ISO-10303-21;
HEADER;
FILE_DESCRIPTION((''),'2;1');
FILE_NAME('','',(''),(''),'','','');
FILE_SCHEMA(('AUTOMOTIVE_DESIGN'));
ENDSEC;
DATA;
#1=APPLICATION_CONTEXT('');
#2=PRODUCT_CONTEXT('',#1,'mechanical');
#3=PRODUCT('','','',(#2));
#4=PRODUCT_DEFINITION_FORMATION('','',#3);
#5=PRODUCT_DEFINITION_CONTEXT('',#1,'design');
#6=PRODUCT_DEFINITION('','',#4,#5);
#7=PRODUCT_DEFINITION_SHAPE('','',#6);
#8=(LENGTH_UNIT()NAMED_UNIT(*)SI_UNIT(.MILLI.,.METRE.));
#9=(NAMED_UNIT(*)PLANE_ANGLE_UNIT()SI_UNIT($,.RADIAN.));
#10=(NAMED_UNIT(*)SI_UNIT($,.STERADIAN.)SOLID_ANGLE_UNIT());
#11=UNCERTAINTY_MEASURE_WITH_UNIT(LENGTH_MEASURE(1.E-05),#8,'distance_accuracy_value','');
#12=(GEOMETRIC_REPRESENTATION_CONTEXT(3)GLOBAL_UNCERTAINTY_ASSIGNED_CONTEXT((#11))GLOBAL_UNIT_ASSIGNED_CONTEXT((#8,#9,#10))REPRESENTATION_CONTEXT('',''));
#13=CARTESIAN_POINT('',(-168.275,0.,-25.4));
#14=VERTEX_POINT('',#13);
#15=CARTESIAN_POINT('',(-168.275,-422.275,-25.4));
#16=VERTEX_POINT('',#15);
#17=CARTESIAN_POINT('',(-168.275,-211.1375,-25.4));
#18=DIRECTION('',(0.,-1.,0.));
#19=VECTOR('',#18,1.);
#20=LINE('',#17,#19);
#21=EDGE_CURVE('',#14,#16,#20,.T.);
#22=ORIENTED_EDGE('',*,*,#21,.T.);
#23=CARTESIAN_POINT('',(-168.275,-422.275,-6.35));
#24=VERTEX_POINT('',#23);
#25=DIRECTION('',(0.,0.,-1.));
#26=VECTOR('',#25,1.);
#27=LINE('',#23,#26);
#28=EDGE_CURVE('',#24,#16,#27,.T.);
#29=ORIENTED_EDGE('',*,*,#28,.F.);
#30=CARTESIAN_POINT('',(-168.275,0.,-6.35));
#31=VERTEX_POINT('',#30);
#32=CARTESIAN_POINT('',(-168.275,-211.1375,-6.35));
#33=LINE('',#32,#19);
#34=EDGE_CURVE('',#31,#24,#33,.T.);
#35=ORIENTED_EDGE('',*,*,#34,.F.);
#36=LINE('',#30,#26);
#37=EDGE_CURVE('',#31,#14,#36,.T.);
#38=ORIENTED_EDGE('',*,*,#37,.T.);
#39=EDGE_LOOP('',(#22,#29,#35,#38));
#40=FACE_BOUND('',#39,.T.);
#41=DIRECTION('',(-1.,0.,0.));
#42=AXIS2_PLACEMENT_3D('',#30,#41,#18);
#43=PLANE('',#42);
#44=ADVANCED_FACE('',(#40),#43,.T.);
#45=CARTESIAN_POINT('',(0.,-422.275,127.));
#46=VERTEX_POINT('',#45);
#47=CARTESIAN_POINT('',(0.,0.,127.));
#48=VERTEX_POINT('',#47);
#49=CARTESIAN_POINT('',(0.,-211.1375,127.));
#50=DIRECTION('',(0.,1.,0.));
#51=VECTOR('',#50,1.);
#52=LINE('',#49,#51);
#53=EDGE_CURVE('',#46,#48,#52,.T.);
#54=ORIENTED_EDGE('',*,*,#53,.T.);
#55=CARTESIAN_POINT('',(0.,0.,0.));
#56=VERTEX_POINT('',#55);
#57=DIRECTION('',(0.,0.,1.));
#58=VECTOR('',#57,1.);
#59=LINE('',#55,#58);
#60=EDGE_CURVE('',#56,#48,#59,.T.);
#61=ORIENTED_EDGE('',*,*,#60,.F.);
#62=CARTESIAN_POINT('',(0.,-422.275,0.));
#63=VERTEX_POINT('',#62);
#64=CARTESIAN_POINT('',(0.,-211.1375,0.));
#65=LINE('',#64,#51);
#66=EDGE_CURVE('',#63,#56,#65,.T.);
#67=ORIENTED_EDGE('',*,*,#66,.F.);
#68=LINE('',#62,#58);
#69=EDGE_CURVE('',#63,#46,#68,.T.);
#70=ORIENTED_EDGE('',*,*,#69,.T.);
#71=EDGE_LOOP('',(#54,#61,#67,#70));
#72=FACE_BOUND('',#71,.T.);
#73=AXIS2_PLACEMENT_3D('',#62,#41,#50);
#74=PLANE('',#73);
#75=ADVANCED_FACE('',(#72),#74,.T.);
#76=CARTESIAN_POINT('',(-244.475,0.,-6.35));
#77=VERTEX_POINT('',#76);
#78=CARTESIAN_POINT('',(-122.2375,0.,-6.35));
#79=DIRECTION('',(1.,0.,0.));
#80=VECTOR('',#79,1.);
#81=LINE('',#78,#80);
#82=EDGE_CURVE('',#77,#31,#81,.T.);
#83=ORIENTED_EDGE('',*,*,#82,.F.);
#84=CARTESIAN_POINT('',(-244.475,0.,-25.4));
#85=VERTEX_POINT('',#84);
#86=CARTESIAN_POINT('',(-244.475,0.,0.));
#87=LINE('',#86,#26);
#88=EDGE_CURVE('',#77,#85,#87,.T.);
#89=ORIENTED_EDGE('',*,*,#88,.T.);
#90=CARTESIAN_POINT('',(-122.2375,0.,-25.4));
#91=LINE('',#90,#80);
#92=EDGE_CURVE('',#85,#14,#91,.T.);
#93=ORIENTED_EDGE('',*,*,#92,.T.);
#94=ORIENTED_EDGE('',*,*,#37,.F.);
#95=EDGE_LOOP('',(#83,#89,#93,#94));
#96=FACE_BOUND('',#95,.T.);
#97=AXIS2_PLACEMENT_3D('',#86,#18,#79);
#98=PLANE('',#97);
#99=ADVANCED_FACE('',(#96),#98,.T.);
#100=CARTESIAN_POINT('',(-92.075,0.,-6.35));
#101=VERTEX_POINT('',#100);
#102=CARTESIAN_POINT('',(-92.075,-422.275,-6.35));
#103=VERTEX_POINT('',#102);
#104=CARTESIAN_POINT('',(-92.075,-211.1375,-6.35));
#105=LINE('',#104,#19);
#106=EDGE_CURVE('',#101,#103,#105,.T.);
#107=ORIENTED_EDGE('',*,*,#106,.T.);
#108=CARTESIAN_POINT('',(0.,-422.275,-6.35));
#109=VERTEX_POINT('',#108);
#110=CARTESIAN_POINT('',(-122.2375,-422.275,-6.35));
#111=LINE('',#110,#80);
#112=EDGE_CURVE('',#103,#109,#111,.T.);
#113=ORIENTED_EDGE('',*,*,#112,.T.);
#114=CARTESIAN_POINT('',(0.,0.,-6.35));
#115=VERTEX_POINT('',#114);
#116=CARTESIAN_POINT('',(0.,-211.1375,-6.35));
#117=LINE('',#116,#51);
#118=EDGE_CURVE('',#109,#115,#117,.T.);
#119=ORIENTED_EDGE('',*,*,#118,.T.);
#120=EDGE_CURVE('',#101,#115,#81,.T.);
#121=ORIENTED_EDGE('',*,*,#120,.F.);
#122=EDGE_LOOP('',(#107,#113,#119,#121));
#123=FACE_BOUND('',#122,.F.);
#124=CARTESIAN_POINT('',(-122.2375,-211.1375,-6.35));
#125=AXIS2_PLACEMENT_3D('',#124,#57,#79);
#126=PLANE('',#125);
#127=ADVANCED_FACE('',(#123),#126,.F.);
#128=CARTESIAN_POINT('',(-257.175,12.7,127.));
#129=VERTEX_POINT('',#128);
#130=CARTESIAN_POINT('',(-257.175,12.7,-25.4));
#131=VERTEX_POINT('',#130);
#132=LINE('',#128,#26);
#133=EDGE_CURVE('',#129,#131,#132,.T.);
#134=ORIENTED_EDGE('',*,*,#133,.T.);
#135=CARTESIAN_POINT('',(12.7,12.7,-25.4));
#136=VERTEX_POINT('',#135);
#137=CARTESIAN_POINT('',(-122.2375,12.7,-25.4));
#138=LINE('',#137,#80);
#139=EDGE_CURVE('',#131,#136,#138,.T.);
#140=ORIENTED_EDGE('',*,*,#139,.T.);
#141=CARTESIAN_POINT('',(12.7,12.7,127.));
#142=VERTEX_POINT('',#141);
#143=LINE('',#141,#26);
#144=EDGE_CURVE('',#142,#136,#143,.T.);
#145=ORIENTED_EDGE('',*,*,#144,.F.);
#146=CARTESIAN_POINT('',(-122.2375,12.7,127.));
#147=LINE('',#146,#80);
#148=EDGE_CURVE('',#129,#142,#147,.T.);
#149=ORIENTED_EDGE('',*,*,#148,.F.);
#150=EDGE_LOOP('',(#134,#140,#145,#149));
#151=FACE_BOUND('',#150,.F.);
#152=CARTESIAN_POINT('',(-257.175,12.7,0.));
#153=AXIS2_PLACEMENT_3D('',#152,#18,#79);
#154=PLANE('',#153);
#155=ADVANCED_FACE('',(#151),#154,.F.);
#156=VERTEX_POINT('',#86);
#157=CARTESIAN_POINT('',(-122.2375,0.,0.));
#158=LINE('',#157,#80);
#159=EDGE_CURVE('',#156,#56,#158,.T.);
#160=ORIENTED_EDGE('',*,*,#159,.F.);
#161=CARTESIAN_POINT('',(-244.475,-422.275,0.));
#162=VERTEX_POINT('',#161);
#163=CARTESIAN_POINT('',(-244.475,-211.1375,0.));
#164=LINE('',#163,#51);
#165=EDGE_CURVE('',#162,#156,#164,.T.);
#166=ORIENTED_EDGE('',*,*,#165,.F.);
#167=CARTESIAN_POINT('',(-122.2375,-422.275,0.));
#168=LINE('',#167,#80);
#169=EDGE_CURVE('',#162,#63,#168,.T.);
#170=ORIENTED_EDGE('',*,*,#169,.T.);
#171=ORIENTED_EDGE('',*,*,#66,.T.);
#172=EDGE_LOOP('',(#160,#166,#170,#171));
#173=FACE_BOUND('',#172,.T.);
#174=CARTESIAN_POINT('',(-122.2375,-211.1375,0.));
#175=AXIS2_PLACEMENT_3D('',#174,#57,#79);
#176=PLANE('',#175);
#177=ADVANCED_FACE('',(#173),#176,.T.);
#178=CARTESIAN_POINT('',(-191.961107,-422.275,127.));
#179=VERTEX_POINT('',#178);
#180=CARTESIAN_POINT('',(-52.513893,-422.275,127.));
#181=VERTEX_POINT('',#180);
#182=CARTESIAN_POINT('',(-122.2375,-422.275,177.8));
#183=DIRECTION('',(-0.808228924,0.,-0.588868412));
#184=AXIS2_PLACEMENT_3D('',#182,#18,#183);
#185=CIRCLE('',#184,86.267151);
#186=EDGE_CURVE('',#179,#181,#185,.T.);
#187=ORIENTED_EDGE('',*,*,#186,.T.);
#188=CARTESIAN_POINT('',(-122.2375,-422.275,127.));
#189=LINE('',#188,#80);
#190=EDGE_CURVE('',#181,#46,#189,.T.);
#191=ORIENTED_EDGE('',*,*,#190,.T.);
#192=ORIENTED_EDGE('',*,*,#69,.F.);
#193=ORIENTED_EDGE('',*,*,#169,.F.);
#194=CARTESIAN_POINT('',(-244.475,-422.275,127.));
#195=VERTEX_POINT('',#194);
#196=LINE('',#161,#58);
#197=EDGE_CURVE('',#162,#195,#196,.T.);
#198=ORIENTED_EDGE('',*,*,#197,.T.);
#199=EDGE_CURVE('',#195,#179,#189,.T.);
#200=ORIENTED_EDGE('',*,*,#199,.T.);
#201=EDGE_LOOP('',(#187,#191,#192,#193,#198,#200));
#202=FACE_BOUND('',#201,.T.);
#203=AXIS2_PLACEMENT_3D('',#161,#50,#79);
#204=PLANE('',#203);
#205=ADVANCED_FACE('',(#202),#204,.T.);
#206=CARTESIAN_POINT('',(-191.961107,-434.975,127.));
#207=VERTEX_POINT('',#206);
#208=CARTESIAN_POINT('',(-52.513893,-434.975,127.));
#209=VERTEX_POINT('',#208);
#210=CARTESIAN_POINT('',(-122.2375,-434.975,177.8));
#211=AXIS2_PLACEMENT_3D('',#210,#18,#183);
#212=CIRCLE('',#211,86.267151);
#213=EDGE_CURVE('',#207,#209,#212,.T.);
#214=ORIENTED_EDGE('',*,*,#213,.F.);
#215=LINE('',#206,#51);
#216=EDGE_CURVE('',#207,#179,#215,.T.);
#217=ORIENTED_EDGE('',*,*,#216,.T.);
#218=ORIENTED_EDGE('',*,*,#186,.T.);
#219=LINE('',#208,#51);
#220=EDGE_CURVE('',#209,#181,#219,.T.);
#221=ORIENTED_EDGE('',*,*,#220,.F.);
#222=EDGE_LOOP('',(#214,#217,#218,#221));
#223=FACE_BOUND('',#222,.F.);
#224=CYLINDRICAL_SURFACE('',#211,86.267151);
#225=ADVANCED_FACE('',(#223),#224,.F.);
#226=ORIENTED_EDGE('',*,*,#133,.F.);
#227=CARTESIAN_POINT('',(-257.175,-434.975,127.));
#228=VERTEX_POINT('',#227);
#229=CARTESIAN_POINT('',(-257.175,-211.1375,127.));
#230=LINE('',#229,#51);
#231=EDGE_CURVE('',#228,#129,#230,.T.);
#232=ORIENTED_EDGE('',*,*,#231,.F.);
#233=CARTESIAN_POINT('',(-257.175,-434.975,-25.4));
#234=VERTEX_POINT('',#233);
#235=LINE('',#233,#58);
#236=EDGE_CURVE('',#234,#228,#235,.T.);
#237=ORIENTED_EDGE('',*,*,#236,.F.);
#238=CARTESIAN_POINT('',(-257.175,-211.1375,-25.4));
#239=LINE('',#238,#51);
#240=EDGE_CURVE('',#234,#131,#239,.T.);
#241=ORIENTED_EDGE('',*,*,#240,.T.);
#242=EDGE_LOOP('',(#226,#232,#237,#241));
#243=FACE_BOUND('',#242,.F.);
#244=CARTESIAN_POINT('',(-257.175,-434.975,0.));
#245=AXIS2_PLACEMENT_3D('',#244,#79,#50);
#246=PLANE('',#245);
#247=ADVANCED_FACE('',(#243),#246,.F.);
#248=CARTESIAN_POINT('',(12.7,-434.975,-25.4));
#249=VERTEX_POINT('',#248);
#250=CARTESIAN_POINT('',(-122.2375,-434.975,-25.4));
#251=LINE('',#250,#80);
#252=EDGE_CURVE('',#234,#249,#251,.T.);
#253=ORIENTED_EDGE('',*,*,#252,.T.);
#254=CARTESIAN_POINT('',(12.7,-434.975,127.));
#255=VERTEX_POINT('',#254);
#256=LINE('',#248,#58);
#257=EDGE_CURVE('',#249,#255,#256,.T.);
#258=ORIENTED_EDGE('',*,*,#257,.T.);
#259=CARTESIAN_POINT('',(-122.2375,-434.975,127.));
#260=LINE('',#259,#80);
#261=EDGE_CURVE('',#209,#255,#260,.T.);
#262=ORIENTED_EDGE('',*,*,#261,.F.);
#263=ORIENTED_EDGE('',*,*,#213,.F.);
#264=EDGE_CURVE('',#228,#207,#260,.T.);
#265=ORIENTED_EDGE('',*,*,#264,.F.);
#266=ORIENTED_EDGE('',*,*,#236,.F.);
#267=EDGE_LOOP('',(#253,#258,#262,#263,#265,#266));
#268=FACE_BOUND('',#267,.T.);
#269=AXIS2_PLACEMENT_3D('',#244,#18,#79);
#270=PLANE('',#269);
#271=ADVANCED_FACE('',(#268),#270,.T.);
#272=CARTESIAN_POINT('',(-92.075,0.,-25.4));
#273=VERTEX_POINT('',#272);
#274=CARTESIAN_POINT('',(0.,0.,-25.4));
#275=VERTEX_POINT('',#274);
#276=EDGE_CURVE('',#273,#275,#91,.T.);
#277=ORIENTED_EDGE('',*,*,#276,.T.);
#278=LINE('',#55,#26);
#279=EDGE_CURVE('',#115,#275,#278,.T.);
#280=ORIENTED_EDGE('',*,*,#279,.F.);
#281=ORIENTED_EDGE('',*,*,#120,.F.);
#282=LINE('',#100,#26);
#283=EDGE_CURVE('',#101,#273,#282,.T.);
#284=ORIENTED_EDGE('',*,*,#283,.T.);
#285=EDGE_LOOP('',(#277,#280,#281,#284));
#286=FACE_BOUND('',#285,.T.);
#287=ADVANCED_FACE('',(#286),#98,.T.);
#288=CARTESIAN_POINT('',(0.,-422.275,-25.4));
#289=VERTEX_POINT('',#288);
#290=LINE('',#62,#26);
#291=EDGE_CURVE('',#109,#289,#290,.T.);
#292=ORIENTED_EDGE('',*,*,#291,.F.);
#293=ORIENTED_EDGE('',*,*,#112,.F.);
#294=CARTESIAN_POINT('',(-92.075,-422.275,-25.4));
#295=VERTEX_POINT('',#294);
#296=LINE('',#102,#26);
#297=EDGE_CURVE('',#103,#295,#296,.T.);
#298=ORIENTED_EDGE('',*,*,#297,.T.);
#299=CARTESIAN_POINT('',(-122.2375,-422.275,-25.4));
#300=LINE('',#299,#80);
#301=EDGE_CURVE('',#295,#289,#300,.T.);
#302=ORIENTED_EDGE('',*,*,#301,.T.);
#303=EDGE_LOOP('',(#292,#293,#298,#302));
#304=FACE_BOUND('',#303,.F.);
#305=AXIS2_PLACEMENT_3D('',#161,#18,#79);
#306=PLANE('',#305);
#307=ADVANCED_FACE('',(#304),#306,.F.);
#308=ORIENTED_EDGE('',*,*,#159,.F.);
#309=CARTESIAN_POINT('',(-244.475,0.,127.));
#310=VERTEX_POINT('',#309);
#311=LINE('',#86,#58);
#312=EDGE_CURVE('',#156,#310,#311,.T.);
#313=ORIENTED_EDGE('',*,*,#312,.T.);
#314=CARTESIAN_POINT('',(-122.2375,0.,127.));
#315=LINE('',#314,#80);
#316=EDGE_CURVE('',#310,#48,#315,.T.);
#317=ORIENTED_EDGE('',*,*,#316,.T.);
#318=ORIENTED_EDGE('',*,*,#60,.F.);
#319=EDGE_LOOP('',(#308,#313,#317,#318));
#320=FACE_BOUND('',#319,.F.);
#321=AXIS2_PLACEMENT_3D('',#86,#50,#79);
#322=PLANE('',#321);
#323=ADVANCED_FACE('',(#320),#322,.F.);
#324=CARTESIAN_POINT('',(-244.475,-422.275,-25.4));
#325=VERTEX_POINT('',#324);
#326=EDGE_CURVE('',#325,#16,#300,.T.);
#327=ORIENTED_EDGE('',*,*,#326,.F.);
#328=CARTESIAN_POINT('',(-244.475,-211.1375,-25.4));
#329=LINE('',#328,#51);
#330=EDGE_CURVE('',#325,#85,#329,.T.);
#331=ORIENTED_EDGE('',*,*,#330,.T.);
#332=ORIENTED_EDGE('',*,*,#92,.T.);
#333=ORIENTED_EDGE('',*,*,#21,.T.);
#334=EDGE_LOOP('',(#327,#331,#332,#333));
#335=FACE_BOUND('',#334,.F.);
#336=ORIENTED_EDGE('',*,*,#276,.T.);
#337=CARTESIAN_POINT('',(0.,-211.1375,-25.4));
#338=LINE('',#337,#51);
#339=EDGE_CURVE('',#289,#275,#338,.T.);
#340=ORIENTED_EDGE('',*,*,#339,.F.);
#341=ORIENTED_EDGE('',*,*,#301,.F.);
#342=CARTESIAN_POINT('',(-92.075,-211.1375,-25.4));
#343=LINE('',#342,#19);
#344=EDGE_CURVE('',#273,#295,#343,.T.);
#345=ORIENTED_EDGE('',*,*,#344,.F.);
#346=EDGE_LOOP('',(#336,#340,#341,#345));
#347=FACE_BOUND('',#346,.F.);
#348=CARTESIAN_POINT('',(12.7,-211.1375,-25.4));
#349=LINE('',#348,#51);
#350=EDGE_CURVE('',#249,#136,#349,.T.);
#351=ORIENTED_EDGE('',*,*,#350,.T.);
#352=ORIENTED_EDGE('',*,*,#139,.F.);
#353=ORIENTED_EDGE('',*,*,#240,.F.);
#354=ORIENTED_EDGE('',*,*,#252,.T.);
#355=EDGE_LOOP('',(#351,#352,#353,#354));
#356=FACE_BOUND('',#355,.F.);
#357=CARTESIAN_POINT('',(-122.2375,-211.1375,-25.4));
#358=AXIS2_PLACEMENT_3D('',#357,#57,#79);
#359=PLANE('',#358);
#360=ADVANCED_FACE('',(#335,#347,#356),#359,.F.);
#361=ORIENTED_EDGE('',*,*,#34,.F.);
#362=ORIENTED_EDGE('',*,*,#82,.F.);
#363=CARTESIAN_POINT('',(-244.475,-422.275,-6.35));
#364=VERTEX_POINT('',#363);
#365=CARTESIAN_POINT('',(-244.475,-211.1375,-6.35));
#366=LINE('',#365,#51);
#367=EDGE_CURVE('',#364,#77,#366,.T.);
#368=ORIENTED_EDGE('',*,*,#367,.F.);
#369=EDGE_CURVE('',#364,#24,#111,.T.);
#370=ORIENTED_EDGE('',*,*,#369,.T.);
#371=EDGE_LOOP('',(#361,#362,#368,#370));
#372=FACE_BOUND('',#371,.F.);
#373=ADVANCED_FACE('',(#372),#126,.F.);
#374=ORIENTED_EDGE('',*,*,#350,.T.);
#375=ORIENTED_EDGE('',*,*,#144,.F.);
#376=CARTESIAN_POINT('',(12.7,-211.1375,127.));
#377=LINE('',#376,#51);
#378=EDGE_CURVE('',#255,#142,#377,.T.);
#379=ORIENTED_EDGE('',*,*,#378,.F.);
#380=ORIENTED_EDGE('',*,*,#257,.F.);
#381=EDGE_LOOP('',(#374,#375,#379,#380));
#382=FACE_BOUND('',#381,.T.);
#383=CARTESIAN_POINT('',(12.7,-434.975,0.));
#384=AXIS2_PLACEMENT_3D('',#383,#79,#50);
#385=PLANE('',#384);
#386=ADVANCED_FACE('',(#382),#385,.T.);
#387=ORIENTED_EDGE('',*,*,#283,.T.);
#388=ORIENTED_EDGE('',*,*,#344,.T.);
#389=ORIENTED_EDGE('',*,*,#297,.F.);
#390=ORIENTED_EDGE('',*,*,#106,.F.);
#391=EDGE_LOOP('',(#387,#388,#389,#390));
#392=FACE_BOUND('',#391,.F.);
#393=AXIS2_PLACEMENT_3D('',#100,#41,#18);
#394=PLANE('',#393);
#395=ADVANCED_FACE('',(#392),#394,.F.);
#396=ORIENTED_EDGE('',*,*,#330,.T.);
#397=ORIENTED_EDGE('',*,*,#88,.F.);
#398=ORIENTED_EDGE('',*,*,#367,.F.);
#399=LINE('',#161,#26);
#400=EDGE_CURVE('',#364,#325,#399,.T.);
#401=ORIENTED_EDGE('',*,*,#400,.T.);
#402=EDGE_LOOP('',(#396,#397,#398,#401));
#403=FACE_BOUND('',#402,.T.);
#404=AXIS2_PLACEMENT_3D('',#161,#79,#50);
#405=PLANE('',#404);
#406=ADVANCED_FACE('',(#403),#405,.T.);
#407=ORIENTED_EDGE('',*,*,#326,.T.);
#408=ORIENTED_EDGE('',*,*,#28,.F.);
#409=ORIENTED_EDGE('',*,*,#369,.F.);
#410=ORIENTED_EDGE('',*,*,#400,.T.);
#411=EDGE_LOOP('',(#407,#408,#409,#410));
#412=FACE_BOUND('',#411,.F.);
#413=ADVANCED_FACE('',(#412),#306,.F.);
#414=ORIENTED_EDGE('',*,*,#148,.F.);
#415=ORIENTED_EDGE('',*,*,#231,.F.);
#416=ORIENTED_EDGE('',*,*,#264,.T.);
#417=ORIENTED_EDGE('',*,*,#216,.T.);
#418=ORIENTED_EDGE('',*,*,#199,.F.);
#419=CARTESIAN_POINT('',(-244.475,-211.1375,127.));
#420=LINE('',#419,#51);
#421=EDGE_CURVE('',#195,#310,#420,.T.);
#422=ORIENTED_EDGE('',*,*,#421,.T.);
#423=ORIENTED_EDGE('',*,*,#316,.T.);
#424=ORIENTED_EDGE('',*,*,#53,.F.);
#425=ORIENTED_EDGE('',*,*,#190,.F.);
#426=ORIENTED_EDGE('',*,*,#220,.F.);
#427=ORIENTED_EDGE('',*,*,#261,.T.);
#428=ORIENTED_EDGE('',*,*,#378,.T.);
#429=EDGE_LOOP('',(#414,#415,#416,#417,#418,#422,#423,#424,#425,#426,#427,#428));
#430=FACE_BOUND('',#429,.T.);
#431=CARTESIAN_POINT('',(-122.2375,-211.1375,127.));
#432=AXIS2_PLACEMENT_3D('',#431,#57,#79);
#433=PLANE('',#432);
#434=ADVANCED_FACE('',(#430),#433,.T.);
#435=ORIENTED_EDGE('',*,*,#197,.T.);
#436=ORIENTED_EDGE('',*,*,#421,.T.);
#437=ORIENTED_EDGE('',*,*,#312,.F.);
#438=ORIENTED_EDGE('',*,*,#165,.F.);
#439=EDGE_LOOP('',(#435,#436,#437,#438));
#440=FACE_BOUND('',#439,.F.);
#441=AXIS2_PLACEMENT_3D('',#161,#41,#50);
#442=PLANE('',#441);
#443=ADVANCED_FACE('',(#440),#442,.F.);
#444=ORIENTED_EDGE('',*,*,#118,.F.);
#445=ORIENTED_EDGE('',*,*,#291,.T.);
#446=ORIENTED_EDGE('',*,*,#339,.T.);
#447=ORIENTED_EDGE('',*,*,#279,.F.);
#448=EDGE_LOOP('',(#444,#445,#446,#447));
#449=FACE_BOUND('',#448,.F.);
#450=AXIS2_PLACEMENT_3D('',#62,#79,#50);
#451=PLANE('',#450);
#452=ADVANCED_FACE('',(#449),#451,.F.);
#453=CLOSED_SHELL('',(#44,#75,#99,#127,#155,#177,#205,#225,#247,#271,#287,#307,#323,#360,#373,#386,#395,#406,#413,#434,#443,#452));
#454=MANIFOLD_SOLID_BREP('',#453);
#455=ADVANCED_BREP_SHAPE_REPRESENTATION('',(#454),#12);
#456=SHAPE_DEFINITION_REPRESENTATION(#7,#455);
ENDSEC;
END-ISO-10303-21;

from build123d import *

# Parameters (mm, degrees)
F0_W          = 244.475
F0_H          = 422.275
F1_DEPTH      = 6.35
F0_W_2        = 269.875
F0_H_2        = 447.675
F2_DEPTH      = 127
F2_DEPTH_BACK = 25.4
F3_W          = 76.2
F3_H          = 422.275
F4_DEPTH      = 19.05
F6_DEPTH      = 25.4


with BuildPart() as f1:
    # F0 (on Top) → F1 (new body)
    with BuildSketch(Plane.XY):
        with Locations((-122.2375, -211.1375)):
            Rectangle(F0_W, F0_H)
    extrude(amount=-F1_DEPTH)

    # F0 (on Top) → F2 (join, two sides)
    with BuildSketch(Plane.XY) as f2_sk:
        with Locations((-122.2375, -211.1375)):
            Rectangle(F0_W_2, F0_H_2)
        with Locations((-122.2375, -211.1375)):
            Rectangle(F0_W, F0_H, mode=Mode.SUBTRACT)
    extrude(amount=F2_DEPTH)
    extrude(f2_sk.sketch, amount=-F2_DEPTH_BACK)

    # F3 (on face) → F4 (join, through all)
    with BuildSketch(Plane(origin=(0, 0, -6.35), x_dir=(1, 0, 0), z_dir=(0, 0, -1))):
        with Locations((-130.175, 211.1375)):
            Rectangle(F3_W, F3_H)
    extrude(amount=F4_DEPTH)

    # F5 (on face) → F6 (cut)
    with BuildSketch(Plane.XZ.offset(434.975)):
        with BuildLine():
            Line((-38.1, 158.75), (-206.375, 158.75))
            ThreePointArc((-206.375, 158.75), (-200.788921, 142.139157), (-191.961107, 127))
            Line((-191.961107, 127), (-52.513893, 127))
            ThreePointArc((-52.513893, 127), (-43.686079, 142.139157), (-38.1, 158.75))
        make_face()
        with BuildLine():
            Line((-52.513893, 127), (-191.961107, 127))
            ThreePointArc((-191.961107, 127), (-122.2375, 91.532849), (-52.513893, 127))
        make_face()
    extrude(amount=-F6_DEPTH, mode=Mode.SUBTRACT)


solid = f1.part
